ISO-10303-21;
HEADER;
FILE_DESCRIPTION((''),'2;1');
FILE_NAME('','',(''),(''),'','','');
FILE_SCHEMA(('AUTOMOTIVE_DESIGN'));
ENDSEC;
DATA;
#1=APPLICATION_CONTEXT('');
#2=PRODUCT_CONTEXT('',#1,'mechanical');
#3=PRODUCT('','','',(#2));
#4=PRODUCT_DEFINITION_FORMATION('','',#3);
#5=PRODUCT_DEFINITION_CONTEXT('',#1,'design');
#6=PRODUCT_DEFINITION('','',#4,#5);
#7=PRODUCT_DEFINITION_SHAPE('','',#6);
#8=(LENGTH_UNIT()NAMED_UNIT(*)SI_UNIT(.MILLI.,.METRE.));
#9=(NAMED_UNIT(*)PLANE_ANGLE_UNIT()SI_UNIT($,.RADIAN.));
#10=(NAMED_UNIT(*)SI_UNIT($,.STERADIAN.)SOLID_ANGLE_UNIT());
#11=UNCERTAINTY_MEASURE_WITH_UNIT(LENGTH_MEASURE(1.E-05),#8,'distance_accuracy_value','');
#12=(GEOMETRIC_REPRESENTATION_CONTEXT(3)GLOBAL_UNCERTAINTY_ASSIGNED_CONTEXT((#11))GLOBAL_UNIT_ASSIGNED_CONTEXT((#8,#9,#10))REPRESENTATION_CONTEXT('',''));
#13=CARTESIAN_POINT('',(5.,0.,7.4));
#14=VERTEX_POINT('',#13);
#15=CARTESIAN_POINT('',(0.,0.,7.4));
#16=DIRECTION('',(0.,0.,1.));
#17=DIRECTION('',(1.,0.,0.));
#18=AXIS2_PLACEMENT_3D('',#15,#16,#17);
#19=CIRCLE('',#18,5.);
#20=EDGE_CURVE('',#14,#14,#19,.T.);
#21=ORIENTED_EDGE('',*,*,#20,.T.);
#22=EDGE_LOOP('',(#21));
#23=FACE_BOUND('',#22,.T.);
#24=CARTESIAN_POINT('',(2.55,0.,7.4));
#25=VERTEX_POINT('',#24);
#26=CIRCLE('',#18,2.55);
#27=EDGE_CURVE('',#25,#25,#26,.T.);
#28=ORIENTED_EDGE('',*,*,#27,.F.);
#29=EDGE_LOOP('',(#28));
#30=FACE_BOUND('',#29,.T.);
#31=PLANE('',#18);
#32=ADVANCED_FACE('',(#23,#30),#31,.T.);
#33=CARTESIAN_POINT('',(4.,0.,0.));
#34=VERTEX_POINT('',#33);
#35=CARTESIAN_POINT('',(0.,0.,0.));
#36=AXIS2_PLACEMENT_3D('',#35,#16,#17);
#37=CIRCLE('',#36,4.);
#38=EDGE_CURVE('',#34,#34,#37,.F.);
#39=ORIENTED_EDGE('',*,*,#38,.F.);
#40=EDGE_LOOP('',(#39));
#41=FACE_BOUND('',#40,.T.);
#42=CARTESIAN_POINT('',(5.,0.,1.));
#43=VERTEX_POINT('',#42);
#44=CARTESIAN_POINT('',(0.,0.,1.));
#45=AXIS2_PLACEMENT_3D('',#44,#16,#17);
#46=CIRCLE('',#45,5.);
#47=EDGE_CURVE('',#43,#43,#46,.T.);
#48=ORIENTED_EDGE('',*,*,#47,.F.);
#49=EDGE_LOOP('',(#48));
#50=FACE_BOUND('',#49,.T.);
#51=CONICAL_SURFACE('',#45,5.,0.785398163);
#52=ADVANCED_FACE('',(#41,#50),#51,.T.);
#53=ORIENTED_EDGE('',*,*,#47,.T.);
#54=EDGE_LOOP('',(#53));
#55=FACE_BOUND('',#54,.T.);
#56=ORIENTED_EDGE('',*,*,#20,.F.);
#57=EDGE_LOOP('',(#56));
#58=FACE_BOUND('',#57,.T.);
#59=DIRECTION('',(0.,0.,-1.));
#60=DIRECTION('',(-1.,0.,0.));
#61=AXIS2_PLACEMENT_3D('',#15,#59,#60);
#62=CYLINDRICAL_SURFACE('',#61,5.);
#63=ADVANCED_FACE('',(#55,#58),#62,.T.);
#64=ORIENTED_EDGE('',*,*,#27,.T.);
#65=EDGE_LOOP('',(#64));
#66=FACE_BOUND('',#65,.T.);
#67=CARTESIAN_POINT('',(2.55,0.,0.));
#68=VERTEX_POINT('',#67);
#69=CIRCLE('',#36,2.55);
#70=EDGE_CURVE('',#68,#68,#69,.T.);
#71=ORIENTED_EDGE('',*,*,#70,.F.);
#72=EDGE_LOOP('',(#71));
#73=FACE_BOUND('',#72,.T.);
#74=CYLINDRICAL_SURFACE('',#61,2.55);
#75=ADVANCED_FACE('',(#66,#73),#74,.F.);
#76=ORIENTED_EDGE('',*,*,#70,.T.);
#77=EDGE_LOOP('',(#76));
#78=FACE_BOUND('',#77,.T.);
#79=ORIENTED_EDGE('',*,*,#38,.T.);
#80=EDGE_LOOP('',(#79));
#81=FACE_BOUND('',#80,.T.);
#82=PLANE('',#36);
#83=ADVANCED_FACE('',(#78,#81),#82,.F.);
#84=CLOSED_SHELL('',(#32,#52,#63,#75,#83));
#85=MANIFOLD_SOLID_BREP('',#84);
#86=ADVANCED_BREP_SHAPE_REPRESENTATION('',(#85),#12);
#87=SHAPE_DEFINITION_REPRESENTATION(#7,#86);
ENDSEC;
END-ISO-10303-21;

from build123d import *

# Parameters (mm, degrees)
SKETCH_1_R    = 5
SKETCH_1_R_2  = 2.55
BODY_DEPTH    = 7.4
CHAMFER1_SIZE = 1


with BuildPart() as part:
    # Эскиз1 → Body (new body)
    with BuildSketch(Plane.XY):
        Circle(SKETCH_1_R)
        Circle(SKETCH_1_R_2, mode=Mode.SUBTRACT)
    extrude(amount=BODY_DEPTH)

    # Chamfer1
    chamfer1_edges = [part.edges().sort_by_distance(p)[0] for p in [
        (-5, 0, 0),
    ]]
    chamfer(chamfer1_edges, length=CHAMFER1_SIZE)


solid = part.part
